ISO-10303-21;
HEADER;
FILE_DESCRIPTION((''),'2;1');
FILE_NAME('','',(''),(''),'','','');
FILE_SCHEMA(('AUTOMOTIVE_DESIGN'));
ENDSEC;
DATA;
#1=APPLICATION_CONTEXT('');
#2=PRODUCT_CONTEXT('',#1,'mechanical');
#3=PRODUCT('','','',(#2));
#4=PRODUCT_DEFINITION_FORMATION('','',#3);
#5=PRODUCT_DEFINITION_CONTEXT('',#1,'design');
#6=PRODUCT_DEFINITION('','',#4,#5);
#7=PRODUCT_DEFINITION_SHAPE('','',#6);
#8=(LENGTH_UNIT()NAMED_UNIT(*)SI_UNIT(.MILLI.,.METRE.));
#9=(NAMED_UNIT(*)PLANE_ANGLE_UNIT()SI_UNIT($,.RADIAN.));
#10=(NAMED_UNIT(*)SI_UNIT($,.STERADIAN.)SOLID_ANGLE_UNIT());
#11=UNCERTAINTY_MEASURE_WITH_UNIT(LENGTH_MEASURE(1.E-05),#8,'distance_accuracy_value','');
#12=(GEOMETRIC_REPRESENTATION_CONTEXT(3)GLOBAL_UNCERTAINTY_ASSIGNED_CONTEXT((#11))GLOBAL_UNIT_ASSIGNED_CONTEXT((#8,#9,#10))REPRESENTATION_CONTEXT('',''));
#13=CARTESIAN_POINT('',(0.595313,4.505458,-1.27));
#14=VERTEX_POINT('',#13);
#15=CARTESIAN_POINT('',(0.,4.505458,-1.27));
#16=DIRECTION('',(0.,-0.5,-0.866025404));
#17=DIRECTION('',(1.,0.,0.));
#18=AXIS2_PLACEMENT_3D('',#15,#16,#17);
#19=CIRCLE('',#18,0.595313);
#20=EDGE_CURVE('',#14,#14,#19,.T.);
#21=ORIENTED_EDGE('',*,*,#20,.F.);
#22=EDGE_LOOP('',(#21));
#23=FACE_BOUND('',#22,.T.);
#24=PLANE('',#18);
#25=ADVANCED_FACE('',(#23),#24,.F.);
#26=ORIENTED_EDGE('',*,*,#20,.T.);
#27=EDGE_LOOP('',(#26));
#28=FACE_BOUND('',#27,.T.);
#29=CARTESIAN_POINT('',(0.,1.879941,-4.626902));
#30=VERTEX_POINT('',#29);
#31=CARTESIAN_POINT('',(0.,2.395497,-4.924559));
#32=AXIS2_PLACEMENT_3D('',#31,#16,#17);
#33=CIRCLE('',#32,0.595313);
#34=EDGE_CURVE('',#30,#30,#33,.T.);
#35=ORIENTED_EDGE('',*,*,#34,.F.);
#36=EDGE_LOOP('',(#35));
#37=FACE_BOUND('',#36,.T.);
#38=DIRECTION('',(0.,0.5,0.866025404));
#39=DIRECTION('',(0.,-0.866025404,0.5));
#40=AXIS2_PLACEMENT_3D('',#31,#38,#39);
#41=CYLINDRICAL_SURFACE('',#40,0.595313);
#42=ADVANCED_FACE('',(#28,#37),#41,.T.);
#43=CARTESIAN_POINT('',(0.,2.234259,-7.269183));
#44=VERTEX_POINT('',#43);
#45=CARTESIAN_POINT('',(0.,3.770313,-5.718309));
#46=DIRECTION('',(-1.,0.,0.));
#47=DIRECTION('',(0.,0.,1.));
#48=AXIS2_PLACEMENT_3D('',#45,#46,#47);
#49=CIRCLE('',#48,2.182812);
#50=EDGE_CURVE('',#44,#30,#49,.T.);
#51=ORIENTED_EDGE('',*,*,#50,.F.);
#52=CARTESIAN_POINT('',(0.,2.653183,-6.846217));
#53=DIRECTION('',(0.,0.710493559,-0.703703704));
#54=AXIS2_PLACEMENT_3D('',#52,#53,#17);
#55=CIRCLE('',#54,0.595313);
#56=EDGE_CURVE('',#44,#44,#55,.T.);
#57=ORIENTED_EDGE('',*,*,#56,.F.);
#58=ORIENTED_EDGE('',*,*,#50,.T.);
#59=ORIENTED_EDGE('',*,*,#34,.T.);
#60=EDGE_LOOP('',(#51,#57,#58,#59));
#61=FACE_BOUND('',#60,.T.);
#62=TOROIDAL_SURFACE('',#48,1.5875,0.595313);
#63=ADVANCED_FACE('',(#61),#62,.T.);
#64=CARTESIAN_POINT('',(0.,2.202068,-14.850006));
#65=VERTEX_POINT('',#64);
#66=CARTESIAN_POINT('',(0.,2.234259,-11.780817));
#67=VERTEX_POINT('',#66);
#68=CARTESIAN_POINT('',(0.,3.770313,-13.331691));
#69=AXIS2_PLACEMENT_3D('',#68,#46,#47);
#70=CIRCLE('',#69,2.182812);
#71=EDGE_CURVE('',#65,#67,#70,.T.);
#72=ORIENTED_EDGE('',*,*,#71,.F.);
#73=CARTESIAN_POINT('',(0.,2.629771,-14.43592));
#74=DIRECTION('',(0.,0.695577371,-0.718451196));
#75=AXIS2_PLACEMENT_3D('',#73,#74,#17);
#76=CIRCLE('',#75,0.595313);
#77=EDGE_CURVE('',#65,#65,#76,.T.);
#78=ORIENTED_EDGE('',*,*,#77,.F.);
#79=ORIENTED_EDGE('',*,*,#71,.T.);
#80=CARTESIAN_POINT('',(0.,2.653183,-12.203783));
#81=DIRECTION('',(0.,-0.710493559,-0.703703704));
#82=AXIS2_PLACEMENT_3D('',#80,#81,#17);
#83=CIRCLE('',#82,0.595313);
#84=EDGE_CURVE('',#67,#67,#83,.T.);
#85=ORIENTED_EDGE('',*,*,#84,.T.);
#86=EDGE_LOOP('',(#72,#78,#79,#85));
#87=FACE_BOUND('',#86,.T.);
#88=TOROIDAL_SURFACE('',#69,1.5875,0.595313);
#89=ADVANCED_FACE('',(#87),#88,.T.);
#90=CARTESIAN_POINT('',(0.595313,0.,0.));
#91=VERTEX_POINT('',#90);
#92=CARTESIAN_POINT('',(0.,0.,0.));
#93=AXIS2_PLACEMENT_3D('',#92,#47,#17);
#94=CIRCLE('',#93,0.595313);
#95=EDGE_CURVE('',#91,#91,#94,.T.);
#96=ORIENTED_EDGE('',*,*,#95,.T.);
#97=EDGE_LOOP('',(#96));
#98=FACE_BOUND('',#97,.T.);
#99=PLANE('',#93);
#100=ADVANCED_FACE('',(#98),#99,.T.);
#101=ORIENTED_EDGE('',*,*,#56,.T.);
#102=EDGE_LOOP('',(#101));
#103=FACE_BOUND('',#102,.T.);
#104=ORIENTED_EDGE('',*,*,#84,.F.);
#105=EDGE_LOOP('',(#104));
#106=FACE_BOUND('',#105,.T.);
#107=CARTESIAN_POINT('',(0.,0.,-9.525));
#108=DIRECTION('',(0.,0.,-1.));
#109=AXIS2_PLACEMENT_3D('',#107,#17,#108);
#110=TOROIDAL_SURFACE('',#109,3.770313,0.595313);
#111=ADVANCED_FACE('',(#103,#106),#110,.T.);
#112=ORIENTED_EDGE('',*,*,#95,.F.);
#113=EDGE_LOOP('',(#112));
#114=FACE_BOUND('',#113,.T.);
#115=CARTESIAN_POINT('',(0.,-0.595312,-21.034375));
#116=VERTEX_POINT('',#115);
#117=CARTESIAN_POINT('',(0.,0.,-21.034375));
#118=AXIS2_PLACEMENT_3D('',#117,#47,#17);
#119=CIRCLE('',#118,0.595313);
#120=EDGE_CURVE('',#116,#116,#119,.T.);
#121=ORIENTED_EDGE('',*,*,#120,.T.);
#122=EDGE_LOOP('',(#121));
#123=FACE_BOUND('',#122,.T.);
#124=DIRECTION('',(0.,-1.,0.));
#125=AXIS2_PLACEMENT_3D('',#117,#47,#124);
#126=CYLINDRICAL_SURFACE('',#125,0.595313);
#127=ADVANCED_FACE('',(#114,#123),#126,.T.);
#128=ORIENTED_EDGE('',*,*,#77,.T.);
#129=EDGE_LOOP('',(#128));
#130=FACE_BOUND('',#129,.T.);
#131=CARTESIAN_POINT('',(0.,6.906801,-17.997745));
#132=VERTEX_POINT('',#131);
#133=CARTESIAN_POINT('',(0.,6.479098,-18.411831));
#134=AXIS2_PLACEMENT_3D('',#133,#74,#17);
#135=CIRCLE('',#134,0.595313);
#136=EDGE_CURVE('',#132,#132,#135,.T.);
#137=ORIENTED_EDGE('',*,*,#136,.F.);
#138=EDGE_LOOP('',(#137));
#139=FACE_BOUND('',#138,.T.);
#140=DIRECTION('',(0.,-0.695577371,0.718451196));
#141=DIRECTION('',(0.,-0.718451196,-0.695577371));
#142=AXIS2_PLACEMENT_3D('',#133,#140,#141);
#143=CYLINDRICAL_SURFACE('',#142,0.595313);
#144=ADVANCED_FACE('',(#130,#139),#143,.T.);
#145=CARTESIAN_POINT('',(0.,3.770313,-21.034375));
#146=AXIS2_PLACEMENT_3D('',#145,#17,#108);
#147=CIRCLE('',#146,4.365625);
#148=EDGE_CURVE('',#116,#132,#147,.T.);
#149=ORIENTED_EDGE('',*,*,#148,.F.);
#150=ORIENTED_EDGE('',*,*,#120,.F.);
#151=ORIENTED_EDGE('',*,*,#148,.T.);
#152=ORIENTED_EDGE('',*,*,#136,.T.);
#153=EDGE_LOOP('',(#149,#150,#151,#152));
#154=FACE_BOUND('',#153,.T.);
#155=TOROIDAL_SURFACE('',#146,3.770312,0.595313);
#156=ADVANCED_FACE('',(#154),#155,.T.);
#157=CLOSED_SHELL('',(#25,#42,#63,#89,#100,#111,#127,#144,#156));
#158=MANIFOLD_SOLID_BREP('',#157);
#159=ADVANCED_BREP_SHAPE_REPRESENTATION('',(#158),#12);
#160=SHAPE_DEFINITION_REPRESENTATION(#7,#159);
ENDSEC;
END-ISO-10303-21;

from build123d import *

# Parameters (mm, degrees)
SKETCH1_R = 0.5953125


with BuildPart() as part:
    # Sweep1: sweep along a path in Sketch2
    with BuildLine(Plane(origin=(0, 0, 0), x_dir=(0, 0, -1), z_dir=(1, 0, 0))) as sweep1_path:
        Line((0, 0), (21.034375, 0))
        ThreePointArc((21.034375, 0), (24.529244401, 5.184930545), (18.411830942, 6.479098023))
        Line((18.411830942, 6.479098023), (14.435920349, 2.629771227))
        ThreePointArc((14.435920349, 2.629771227), (13.315041787, 2.182899811), (12.203782747, 2.65318287))
        ThreePointArc((12.203782747, 2.65318287), (9.525, 3.7703125), (6.846217253, 2.65318287))
        ThreePointArc((6.846217253, 2.65318287), (5.929296784, 2.196895743), (4.924558728, 2.395497171))
        Line((4.924558728, 2.395497171), (1.27, 4.505457637))
    # Sketch1 → Sweep1 (sweep)
    with BuildSketch(Plane.XY):
        Circle(SKETCH1_R)
    sweep(path=sweep1_path.line)


solid = part.part
